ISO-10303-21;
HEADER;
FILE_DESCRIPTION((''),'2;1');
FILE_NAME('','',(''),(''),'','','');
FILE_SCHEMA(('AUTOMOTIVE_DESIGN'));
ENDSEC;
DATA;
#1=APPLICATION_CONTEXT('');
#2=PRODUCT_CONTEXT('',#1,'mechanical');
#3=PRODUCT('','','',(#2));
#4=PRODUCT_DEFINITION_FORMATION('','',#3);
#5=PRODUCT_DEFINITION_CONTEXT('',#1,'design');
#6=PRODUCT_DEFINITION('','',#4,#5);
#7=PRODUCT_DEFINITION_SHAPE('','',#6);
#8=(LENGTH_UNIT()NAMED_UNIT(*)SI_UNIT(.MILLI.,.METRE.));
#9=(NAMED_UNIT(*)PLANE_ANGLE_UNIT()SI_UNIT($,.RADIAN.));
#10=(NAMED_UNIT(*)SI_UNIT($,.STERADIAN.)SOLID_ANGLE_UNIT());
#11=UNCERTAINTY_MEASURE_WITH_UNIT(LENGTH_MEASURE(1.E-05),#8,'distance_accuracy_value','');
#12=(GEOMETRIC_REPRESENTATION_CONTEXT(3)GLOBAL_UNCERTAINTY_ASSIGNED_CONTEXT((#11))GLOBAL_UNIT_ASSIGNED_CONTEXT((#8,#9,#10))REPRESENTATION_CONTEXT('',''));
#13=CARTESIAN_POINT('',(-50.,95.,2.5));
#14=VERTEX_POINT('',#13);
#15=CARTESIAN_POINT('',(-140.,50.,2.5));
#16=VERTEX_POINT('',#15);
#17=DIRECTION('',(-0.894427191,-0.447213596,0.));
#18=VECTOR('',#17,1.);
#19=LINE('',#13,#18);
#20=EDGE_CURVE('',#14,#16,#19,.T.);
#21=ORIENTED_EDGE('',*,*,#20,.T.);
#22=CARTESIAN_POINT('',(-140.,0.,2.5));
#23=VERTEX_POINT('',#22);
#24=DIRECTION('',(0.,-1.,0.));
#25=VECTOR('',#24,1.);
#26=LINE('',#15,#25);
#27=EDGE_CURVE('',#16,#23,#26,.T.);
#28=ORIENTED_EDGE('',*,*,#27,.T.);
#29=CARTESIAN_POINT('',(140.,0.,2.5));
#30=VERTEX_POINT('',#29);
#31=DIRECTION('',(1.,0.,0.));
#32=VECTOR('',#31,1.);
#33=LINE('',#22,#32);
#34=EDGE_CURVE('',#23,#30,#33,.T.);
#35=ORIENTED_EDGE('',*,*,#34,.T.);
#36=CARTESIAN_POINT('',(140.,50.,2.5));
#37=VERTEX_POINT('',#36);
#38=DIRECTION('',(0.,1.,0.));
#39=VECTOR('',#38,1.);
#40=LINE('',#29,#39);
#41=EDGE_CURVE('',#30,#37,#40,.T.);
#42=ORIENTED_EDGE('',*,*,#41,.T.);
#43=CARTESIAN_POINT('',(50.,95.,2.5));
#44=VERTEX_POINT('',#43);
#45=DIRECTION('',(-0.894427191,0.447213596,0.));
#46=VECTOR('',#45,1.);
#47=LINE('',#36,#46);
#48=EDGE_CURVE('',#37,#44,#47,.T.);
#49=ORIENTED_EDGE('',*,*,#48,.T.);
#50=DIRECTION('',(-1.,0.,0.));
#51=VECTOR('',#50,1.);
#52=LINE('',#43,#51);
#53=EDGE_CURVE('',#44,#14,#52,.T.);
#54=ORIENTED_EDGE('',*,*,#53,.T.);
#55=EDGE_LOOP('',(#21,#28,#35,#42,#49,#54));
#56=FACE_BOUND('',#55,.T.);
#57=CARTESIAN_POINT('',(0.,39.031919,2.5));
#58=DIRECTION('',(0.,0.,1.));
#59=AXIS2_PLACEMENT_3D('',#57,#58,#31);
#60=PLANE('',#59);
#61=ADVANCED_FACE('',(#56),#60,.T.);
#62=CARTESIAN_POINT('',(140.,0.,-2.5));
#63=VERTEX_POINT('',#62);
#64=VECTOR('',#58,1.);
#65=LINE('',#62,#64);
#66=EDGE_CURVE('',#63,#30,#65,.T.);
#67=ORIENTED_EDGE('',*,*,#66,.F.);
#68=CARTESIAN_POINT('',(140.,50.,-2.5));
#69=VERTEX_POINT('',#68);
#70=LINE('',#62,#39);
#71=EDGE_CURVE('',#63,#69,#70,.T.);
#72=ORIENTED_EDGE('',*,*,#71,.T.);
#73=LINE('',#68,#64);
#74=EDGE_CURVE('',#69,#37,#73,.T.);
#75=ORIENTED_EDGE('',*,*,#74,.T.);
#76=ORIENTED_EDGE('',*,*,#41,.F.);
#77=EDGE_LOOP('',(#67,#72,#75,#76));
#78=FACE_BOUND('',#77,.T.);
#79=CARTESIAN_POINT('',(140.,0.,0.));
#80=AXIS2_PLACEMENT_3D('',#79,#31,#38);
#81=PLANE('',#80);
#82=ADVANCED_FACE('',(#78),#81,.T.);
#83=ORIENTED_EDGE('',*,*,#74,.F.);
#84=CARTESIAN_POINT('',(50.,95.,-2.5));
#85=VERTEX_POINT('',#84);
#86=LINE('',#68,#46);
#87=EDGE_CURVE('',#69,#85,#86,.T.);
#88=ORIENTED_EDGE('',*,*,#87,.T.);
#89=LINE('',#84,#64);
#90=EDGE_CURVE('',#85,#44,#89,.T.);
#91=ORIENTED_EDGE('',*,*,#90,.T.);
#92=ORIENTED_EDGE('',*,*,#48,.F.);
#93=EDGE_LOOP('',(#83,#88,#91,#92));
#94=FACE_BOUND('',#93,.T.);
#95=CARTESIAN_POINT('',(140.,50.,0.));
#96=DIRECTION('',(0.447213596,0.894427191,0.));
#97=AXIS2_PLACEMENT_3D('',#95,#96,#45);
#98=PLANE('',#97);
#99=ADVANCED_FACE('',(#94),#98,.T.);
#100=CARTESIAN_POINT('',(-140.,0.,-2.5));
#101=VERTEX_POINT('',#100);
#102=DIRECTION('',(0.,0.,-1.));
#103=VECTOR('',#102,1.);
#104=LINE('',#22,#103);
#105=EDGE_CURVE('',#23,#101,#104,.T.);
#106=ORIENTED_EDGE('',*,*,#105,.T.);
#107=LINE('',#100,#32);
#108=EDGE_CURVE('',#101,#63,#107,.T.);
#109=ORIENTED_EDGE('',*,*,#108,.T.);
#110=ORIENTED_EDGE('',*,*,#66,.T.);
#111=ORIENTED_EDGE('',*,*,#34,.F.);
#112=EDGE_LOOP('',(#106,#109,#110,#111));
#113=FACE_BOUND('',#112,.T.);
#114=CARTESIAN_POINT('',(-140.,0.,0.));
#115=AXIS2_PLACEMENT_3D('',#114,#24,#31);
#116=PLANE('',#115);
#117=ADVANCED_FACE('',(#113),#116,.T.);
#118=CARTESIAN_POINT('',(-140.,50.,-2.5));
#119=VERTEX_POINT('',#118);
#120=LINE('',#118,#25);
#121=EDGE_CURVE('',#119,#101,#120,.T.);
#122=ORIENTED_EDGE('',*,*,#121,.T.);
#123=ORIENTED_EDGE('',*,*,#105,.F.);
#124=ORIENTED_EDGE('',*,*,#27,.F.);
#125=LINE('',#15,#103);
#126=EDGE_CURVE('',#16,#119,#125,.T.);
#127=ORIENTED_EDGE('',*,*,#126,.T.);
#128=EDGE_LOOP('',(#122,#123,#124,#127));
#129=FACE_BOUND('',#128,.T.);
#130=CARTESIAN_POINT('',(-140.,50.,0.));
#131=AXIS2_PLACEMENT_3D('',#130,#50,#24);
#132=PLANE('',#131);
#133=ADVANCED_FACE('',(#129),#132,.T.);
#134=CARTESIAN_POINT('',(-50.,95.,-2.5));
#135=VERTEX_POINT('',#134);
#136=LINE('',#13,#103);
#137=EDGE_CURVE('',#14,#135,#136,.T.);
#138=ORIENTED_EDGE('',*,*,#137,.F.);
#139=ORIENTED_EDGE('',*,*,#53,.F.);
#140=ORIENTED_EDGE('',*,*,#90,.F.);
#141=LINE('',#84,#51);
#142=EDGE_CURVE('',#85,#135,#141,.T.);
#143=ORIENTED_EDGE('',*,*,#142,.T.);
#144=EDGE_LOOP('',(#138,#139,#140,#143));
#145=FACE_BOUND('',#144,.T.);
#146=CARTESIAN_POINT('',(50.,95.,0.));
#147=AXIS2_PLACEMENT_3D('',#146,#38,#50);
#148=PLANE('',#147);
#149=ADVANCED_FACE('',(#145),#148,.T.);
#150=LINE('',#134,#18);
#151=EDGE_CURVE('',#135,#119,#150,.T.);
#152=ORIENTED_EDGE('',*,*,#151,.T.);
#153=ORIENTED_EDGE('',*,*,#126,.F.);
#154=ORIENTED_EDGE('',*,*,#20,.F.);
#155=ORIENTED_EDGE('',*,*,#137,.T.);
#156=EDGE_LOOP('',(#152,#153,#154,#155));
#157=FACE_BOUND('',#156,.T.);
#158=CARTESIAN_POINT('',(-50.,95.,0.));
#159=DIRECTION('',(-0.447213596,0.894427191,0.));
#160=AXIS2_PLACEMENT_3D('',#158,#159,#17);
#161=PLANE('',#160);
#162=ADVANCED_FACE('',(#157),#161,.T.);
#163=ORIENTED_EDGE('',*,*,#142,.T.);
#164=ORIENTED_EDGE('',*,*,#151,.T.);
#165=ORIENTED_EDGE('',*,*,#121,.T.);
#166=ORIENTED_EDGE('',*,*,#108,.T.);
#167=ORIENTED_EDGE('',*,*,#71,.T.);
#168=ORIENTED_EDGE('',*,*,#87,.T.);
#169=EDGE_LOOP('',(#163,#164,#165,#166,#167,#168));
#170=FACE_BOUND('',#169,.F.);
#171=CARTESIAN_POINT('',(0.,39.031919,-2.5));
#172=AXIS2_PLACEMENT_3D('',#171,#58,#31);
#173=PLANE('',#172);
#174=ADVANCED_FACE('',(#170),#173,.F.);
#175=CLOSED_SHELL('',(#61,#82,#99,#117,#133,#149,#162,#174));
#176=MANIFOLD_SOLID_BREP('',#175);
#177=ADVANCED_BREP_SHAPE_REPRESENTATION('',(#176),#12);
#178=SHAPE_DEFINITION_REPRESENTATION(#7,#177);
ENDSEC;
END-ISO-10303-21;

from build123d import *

# Parameters (mm, degrees)
F1_DEPTH = 2.5


with BuildPart() as f1:
    # F0 (on Top) → F1 (new body, symmetric)
    with BuildSketch(Plane.XY):
        Polygon((-140, 0), (0, 0), (140, 0), (140, 50), (50, 95), (0, 95), (-50, 95), (-140, 50), align=None)
    extrude(amount=F1_DEPTH, both=True)


solid = f1.part
